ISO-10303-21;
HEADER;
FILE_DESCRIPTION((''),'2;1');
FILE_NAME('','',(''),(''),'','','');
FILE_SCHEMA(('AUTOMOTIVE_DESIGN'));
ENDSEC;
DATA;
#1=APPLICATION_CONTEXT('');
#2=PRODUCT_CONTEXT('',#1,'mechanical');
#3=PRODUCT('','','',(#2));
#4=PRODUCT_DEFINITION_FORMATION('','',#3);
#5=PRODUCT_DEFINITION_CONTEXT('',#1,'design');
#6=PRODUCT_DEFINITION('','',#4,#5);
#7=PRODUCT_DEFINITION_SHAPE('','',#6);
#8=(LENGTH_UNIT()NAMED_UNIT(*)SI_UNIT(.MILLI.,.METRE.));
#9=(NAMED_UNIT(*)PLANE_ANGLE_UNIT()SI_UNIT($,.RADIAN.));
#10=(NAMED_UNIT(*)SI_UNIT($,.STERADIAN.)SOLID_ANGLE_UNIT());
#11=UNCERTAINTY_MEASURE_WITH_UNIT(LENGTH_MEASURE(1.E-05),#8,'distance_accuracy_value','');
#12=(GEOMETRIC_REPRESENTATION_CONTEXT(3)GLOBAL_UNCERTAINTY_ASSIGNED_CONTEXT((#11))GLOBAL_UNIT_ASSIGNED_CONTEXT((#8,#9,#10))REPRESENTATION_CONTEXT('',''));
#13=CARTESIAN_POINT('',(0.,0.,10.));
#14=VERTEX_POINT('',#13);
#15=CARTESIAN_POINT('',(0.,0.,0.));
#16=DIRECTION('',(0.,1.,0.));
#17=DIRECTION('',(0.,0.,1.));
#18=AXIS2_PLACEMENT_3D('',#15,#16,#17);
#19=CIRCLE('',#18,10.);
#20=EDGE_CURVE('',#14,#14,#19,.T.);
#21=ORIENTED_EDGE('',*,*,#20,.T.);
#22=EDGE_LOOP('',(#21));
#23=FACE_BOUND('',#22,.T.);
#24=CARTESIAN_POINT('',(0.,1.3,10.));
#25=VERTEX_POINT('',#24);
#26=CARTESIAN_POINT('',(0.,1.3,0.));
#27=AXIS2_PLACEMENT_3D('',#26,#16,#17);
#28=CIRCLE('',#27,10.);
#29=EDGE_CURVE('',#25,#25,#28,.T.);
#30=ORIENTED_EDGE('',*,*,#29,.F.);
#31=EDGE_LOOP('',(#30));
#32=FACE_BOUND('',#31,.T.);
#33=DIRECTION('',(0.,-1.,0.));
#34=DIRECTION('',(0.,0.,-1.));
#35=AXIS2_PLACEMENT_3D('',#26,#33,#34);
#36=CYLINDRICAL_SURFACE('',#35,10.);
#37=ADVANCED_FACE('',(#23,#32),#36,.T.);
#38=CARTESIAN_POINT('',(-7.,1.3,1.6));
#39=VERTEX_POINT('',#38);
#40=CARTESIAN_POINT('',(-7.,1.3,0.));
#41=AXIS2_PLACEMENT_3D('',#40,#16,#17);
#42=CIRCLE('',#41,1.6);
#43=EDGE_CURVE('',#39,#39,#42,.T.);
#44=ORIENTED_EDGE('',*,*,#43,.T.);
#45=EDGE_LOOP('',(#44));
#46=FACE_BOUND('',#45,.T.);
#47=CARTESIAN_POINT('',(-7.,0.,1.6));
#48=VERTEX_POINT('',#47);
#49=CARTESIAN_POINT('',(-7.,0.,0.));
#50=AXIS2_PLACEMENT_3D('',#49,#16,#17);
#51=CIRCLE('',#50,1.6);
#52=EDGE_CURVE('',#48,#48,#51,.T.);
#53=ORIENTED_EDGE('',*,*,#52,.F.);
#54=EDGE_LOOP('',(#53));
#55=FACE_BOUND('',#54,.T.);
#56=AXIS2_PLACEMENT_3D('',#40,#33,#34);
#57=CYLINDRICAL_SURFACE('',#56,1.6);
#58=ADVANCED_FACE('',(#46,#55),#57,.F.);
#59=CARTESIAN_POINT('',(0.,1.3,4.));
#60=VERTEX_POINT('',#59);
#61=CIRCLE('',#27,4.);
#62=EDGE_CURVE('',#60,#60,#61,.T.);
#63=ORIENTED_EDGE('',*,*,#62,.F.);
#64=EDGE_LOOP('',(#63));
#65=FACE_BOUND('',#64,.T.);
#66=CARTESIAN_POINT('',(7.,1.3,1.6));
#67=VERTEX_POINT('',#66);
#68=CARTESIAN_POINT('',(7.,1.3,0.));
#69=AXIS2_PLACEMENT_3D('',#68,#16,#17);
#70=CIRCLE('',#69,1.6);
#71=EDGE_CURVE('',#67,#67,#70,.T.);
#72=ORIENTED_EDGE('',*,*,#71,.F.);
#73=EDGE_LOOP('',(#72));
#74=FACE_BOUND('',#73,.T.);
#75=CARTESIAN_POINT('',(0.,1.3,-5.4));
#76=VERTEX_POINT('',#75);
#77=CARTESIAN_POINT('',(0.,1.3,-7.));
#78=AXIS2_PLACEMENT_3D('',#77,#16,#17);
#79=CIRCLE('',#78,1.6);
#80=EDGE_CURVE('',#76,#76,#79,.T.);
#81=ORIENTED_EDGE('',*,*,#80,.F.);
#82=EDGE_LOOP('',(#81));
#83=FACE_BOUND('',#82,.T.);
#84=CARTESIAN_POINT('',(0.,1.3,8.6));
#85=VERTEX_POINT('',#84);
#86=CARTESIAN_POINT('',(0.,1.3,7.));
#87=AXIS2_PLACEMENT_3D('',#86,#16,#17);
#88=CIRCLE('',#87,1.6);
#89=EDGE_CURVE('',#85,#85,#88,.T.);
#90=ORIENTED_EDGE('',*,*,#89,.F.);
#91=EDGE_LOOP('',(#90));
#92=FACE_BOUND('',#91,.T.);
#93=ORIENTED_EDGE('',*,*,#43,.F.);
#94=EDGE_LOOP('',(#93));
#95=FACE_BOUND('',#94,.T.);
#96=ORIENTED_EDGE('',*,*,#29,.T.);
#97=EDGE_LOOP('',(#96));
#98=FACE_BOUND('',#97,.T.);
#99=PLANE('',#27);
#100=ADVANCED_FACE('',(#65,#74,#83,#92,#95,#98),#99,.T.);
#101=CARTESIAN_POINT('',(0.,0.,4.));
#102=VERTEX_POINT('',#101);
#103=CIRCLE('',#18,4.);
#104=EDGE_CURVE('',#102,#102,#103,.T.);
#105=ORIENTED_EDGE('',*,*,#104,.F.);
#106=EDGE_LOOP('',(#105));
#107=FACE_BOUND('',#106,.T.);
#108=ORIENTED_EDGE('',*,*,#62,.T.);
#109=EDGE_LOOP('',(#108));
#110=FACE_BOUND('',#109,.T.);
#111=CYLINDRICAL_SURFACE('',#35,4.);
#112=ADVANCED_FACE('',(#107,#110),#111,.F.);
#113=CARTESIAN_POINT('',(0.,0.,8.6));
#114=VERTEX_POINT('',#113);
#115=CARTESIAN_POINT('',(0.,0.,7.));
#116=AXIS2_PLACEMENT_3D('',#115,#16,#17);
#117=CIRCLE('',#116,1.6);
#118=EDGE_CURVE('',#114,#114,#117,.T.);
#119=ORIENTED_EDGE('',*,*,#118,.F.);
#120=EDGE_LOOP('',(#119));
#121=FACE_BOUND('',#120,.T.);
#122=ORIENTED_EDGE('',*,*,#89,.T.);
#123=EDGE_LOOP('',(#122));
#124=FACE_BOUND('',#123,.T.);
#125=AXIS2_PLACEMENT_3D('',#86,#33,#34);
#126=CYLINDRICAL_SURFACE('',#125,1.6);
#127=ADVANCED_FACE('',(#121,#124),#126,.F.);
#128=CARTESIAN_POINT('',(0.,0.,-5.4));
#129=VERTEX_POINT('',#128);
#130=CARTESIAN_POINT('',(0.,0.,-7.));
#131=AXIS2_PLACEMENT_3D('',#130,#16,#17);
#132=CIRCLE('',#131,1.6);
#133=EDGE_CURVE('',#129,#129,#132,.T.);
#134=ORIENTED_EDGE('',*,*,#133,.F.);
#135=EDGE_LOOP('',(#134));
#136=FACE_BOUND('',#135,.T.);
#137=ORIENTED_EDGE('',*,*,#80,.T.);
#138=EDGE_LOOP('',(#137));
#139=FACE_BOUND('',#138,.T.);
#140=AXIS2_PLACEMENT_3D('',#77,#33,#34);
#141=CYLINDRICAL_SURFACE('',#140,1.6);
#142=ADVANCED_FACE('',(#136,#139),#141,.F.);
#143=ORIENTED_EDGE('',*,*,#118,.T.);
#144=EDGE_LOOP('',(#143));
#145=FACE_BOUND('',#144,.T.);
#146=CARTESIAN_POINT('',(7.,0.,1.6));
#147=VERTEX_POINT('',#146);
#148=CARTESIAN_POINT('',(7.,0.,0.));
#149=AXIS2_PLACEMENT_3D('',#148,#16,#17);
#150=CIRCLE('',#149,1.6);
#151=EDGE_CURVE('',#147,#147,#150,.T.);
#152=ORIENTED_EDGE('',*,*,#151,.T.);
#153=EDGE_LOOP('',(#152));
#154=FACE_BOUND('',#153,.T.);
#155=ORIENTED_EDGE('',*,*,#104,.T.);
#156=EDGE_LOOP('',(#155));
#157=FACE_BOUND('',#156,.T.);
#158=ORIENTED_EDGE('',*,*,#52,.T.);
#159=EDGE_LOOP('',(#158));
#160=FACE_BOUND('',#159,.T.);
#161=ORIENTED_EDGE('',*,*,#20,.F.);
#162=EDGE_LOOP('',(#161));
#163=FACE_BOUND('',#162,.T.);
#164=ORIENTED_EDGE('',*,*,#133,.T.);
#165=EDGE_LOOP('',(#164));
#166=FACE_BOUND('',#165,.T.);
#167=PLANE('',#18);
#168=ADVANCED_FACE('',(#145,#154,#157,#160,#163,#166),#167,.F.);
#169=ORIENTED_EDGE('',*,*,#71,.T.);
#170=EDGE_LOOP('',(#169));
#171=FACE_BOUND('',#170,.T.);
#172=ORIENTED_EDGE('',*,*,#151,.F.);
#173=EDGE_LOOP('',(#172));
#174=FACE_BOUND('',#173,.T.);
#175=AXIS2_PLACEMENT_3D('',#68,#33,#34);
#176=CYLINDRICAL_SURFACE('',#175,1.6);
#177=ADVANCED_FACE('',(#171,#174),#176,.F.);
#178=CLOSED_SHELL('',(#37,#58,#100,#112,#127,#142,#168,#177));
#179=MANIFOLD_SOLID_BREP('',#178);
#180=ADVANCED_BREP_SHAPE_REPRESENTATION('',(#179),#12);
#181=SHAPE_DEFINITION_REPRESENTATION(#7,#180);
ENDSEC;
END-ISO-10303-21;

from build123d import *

# Parameters (mm, degrees)
SKETCH_1_R      = 10
SKETCH_1_R_2    = 4
SKETCH_1_R_3    = 1.6
EXTRUDE_1_DEPTH = 1.3


with BuildPart() as part:
    # 草图1 → 凸台-拉伸1 (new body)
    with BuildSketch(Plane(origin=(0, 0, 0), x_dir=(1, 0, 0), z_dir=(0, 1, 0))):
        with Locations(Location((0, 0, 0), (0, 0, 270))):
            Circle(SKETCH_1_R)
        with Locations(Location((0, 0, 0), (0, 0, 270))):
            Circle(SKETCH_1_R_2, mode=Mode.SUBTRACT)
        with Locations(Location((-7, 0, 0), (0, 0, 270))):
            Circle(SKETCH_1_R_3, mode=Mode.SUBTRACT)
        with Locations(Location((0, 7, 0), (0, 0, 270))):
            Circle(SKETCH_1_R_3, mode=Mode.SUBTRACT)
        with Locations(Location((7, 0, 0), (0, 0, 270))):
            Circle(SKETCH_1_R_3, mode=Mode.SUBTRACT)
        with Locations(Location((0, -7, 0), (0, 0, 270))):
            Circle(SKETCH_1_R_3, mode=Mode.SUBTRACT)
    extrude(amount=EXTRUDE_1_DEPTH)


solid = part.part
